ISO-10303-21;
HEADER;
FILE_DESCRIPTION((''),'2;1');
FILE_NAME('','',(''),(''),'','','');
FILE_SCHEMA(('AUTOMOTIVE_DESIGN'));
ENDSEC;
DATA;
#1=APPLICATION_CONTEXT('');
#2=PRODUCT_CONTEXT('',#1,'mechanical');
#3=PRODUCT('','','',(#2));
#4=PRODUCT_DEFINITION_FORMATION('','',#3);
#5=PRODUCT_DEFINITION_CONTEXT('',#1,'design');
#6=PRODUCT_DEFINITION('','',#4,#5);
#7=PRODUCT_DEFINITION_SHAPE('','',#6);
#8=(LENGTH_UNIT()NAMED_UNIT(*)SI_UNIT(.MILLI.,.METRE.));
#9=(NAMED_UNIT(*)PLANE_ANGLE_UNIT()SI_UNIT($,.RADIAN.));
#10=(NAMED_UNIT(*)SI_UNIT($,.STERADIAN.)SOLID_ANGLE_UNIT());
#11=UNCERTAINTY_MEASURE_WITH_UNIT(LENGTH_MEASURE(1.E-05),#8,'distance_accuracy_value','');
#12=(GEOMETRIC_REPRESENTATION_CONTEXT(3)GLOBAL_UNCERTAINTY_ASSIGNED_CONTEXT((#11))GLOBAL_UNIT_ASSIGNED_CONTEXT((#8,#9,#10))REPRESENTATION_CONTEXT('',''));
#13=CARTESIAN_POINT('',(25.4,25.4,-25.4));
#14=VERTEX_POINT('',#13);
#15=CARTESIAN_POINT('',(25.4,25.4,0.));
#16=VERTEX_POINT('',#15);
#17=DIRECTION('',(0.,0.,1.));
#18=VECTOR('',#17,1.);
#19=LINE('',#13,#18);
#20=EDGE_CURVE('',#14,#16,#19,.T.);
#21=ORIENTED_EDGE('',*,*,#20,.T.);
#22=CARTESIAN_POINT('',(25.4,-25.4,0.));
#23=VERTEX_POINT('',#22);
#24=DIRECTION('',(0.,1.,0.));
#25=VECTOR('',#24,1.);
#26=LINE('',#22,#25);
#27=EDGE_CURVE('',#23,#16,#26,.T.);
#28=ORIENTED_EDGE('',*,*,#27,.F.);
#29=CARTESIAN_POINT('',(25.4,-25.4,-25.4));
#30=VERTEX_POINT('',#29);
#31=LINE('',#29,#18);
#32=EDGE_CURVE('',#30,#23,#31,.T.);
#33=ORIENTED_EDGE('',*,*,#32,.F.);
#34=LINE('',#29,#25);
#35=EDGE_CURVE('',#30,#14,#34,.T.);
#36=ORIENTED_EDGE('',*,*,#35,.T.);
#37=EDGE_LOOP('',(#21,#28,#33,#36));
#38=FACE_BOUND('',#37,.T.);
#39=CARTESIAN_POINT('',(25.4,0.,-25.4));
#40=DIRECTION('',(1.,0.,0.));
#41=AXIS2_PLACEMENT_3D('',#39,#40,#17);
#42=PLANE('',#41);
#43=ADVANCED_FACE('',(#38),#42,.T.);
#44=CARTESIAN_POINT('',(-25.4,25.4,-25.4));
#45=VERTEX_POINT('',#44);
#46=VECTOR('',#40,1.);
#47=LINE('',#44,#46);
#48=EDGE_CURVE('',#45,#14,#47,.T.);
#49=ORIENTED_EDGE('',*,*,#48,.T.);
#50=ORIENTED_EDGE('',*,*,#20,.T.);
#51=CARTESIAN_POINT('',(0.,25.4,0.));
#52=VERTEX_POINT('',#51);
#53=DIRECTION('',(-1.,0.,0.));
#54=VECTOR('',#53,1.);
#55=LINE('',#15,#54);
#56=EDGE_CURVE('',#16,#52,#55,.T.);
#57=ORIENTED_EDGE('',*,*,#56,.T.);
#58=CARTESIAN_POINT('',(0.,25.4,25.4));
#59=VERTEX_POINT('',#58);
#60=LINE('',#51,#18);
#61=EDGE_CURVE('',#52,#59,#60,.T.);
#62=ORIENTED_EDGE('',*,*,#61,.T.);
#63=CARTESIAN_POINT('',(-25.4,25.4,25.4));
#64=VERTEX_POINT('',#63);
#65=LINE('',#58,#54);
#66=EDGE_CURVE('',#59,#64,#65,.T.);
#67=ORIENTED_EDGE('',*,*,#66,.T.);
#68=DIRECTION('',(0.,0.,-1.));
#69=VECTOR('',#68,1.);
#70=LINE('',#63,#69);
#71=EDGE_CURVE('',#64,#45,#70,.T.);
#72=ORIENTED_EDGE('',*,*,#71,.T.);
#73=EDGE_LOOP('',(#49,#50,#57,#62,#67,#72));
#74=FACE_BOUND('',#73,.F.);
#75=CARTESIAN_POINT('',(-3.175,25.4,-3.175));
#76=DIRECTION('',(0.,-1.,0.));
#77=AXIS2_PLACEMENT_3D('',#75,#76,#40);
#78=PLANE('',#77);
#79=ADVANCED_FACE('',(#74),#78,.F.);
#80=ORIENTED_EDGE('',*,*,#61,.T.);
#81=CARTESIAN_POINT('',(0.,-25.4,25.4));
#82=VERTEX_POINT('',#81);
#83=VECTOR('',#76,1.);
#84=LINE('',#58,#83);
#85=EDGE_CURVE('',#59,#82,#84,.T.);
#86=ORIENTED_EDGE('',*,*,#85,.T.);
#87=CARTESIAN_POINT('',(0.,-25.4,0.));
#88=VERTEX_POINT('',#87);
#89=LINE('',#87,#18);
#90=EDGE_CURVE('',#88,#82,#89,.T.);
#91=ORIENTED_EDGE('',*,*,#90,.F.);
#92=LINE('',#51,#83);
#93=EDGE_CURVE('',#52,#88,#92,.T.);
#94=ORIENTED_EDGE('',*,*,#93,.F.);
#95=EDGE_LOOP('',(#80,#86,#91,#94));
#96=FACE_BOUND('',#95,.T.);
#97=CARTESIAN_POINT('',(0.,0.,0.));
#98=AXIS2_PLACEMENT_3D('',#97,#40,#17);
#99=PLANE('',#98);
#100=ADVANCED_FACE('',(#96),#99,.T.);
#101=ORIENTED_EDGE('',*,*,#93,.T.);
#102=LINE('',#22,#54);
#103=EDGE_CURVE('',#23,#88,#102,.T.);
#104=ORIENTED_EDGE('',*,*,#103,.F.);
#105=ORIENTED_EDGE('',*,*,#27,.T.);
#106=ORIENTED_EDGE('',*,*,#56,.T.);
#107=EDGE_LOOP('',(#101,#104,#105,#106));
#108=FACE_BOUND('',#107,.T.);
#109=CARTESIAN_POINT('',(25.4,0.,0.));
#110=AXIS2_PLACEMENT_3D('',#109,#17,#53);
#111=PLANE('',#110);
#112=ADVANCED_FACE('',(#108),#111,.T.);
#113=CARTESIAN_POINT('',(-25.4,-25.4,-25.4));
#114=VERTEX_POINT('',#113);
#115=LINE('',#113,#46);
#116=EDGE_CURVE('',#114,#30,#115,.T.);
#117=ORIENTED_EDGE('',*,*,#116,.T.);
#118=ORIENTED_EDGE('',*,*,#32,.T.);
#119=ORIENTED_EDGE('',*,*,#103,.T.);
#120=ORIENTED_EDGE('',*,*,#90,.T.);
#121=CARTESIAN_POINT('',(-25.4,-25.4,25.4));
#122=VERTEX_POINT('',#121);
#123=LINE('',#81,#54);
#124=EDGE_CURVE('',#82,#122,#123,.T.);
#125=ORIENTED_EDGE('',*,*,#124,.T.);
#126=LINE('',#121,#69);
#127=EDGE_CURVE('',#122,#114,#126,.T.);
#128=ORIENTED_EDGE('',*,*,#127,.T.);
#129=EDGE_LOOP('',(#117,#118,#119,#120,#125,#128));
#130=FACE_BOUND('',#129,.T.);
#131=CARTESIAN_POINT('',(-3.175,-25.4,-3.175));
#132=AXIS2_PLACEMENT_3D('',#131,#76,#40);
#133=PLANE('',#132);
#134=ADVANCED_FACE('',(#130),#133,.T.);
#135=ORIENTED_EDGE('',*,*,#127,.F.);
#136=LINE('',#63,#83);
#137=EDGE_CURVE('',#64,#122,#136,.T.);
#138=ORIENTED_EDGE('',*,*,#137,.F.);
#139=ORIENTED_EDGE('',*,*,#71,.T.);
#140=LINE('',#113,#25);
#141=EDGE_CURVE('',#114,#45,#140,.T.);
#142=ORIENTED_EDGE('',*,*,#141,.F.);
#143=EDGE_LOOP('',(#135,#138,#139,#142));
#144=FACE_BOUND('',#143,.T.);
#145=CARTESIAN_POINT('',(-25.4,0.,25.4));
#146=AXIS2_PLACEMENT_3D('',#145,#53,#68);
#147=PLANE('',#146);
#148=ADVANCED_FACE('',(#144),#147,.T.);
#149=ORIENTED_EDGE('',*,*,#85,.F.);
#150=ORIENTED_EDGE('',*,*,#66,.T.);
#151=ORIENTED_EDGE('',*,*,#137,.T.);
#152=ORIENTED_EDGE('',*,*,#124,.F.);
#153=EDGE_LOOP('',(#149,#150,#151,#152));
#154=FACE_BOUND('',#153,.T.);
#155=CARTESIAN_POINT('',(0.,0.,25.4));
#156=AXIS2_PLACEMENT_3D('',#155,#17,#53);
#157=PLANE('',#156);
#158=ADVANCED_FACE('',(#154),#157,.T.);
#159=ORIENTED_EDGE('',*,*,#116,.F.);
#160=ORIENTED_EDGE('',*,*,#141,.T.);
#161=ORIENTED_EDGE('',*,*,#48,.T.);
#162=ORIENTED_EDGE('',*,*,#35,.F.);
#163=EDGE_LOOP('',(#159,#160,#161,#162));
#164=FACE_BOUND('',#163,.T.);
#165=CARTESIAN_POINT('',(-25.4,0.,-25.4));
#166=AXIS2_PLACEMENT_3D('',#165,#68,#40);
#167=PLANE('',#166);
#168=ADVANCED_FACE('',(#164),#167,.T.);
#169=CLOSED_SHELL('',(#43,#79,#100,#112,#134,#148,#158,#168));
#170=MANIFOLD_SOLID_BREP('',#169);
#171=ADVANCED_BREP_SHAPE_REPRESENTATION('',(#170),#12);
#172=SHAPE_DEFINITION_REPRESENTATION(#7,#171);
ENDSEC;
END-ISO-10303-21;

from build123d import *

# Parameters (mm, degrees)
F1_DEPTH      = 25.4
F1_DEPTH_BACK = 25.4


with BuildPart() as f1:
    # F0 (on Front) → F1 (new body, two sides)
    with BuildSketch(Plane.XZ) as f1_sk:
        Polygon((25.4, 0), (0, 0), (0, 25.4), (-25.4, 25.4), (-25.4, -25.4), (25.4, -25.4), align=None)
    extrude(amount=F1_DEPTH)
    extrude(f1_sk.sketch, amount=-F1_DEPTH_BACK)


solid = f1.part
